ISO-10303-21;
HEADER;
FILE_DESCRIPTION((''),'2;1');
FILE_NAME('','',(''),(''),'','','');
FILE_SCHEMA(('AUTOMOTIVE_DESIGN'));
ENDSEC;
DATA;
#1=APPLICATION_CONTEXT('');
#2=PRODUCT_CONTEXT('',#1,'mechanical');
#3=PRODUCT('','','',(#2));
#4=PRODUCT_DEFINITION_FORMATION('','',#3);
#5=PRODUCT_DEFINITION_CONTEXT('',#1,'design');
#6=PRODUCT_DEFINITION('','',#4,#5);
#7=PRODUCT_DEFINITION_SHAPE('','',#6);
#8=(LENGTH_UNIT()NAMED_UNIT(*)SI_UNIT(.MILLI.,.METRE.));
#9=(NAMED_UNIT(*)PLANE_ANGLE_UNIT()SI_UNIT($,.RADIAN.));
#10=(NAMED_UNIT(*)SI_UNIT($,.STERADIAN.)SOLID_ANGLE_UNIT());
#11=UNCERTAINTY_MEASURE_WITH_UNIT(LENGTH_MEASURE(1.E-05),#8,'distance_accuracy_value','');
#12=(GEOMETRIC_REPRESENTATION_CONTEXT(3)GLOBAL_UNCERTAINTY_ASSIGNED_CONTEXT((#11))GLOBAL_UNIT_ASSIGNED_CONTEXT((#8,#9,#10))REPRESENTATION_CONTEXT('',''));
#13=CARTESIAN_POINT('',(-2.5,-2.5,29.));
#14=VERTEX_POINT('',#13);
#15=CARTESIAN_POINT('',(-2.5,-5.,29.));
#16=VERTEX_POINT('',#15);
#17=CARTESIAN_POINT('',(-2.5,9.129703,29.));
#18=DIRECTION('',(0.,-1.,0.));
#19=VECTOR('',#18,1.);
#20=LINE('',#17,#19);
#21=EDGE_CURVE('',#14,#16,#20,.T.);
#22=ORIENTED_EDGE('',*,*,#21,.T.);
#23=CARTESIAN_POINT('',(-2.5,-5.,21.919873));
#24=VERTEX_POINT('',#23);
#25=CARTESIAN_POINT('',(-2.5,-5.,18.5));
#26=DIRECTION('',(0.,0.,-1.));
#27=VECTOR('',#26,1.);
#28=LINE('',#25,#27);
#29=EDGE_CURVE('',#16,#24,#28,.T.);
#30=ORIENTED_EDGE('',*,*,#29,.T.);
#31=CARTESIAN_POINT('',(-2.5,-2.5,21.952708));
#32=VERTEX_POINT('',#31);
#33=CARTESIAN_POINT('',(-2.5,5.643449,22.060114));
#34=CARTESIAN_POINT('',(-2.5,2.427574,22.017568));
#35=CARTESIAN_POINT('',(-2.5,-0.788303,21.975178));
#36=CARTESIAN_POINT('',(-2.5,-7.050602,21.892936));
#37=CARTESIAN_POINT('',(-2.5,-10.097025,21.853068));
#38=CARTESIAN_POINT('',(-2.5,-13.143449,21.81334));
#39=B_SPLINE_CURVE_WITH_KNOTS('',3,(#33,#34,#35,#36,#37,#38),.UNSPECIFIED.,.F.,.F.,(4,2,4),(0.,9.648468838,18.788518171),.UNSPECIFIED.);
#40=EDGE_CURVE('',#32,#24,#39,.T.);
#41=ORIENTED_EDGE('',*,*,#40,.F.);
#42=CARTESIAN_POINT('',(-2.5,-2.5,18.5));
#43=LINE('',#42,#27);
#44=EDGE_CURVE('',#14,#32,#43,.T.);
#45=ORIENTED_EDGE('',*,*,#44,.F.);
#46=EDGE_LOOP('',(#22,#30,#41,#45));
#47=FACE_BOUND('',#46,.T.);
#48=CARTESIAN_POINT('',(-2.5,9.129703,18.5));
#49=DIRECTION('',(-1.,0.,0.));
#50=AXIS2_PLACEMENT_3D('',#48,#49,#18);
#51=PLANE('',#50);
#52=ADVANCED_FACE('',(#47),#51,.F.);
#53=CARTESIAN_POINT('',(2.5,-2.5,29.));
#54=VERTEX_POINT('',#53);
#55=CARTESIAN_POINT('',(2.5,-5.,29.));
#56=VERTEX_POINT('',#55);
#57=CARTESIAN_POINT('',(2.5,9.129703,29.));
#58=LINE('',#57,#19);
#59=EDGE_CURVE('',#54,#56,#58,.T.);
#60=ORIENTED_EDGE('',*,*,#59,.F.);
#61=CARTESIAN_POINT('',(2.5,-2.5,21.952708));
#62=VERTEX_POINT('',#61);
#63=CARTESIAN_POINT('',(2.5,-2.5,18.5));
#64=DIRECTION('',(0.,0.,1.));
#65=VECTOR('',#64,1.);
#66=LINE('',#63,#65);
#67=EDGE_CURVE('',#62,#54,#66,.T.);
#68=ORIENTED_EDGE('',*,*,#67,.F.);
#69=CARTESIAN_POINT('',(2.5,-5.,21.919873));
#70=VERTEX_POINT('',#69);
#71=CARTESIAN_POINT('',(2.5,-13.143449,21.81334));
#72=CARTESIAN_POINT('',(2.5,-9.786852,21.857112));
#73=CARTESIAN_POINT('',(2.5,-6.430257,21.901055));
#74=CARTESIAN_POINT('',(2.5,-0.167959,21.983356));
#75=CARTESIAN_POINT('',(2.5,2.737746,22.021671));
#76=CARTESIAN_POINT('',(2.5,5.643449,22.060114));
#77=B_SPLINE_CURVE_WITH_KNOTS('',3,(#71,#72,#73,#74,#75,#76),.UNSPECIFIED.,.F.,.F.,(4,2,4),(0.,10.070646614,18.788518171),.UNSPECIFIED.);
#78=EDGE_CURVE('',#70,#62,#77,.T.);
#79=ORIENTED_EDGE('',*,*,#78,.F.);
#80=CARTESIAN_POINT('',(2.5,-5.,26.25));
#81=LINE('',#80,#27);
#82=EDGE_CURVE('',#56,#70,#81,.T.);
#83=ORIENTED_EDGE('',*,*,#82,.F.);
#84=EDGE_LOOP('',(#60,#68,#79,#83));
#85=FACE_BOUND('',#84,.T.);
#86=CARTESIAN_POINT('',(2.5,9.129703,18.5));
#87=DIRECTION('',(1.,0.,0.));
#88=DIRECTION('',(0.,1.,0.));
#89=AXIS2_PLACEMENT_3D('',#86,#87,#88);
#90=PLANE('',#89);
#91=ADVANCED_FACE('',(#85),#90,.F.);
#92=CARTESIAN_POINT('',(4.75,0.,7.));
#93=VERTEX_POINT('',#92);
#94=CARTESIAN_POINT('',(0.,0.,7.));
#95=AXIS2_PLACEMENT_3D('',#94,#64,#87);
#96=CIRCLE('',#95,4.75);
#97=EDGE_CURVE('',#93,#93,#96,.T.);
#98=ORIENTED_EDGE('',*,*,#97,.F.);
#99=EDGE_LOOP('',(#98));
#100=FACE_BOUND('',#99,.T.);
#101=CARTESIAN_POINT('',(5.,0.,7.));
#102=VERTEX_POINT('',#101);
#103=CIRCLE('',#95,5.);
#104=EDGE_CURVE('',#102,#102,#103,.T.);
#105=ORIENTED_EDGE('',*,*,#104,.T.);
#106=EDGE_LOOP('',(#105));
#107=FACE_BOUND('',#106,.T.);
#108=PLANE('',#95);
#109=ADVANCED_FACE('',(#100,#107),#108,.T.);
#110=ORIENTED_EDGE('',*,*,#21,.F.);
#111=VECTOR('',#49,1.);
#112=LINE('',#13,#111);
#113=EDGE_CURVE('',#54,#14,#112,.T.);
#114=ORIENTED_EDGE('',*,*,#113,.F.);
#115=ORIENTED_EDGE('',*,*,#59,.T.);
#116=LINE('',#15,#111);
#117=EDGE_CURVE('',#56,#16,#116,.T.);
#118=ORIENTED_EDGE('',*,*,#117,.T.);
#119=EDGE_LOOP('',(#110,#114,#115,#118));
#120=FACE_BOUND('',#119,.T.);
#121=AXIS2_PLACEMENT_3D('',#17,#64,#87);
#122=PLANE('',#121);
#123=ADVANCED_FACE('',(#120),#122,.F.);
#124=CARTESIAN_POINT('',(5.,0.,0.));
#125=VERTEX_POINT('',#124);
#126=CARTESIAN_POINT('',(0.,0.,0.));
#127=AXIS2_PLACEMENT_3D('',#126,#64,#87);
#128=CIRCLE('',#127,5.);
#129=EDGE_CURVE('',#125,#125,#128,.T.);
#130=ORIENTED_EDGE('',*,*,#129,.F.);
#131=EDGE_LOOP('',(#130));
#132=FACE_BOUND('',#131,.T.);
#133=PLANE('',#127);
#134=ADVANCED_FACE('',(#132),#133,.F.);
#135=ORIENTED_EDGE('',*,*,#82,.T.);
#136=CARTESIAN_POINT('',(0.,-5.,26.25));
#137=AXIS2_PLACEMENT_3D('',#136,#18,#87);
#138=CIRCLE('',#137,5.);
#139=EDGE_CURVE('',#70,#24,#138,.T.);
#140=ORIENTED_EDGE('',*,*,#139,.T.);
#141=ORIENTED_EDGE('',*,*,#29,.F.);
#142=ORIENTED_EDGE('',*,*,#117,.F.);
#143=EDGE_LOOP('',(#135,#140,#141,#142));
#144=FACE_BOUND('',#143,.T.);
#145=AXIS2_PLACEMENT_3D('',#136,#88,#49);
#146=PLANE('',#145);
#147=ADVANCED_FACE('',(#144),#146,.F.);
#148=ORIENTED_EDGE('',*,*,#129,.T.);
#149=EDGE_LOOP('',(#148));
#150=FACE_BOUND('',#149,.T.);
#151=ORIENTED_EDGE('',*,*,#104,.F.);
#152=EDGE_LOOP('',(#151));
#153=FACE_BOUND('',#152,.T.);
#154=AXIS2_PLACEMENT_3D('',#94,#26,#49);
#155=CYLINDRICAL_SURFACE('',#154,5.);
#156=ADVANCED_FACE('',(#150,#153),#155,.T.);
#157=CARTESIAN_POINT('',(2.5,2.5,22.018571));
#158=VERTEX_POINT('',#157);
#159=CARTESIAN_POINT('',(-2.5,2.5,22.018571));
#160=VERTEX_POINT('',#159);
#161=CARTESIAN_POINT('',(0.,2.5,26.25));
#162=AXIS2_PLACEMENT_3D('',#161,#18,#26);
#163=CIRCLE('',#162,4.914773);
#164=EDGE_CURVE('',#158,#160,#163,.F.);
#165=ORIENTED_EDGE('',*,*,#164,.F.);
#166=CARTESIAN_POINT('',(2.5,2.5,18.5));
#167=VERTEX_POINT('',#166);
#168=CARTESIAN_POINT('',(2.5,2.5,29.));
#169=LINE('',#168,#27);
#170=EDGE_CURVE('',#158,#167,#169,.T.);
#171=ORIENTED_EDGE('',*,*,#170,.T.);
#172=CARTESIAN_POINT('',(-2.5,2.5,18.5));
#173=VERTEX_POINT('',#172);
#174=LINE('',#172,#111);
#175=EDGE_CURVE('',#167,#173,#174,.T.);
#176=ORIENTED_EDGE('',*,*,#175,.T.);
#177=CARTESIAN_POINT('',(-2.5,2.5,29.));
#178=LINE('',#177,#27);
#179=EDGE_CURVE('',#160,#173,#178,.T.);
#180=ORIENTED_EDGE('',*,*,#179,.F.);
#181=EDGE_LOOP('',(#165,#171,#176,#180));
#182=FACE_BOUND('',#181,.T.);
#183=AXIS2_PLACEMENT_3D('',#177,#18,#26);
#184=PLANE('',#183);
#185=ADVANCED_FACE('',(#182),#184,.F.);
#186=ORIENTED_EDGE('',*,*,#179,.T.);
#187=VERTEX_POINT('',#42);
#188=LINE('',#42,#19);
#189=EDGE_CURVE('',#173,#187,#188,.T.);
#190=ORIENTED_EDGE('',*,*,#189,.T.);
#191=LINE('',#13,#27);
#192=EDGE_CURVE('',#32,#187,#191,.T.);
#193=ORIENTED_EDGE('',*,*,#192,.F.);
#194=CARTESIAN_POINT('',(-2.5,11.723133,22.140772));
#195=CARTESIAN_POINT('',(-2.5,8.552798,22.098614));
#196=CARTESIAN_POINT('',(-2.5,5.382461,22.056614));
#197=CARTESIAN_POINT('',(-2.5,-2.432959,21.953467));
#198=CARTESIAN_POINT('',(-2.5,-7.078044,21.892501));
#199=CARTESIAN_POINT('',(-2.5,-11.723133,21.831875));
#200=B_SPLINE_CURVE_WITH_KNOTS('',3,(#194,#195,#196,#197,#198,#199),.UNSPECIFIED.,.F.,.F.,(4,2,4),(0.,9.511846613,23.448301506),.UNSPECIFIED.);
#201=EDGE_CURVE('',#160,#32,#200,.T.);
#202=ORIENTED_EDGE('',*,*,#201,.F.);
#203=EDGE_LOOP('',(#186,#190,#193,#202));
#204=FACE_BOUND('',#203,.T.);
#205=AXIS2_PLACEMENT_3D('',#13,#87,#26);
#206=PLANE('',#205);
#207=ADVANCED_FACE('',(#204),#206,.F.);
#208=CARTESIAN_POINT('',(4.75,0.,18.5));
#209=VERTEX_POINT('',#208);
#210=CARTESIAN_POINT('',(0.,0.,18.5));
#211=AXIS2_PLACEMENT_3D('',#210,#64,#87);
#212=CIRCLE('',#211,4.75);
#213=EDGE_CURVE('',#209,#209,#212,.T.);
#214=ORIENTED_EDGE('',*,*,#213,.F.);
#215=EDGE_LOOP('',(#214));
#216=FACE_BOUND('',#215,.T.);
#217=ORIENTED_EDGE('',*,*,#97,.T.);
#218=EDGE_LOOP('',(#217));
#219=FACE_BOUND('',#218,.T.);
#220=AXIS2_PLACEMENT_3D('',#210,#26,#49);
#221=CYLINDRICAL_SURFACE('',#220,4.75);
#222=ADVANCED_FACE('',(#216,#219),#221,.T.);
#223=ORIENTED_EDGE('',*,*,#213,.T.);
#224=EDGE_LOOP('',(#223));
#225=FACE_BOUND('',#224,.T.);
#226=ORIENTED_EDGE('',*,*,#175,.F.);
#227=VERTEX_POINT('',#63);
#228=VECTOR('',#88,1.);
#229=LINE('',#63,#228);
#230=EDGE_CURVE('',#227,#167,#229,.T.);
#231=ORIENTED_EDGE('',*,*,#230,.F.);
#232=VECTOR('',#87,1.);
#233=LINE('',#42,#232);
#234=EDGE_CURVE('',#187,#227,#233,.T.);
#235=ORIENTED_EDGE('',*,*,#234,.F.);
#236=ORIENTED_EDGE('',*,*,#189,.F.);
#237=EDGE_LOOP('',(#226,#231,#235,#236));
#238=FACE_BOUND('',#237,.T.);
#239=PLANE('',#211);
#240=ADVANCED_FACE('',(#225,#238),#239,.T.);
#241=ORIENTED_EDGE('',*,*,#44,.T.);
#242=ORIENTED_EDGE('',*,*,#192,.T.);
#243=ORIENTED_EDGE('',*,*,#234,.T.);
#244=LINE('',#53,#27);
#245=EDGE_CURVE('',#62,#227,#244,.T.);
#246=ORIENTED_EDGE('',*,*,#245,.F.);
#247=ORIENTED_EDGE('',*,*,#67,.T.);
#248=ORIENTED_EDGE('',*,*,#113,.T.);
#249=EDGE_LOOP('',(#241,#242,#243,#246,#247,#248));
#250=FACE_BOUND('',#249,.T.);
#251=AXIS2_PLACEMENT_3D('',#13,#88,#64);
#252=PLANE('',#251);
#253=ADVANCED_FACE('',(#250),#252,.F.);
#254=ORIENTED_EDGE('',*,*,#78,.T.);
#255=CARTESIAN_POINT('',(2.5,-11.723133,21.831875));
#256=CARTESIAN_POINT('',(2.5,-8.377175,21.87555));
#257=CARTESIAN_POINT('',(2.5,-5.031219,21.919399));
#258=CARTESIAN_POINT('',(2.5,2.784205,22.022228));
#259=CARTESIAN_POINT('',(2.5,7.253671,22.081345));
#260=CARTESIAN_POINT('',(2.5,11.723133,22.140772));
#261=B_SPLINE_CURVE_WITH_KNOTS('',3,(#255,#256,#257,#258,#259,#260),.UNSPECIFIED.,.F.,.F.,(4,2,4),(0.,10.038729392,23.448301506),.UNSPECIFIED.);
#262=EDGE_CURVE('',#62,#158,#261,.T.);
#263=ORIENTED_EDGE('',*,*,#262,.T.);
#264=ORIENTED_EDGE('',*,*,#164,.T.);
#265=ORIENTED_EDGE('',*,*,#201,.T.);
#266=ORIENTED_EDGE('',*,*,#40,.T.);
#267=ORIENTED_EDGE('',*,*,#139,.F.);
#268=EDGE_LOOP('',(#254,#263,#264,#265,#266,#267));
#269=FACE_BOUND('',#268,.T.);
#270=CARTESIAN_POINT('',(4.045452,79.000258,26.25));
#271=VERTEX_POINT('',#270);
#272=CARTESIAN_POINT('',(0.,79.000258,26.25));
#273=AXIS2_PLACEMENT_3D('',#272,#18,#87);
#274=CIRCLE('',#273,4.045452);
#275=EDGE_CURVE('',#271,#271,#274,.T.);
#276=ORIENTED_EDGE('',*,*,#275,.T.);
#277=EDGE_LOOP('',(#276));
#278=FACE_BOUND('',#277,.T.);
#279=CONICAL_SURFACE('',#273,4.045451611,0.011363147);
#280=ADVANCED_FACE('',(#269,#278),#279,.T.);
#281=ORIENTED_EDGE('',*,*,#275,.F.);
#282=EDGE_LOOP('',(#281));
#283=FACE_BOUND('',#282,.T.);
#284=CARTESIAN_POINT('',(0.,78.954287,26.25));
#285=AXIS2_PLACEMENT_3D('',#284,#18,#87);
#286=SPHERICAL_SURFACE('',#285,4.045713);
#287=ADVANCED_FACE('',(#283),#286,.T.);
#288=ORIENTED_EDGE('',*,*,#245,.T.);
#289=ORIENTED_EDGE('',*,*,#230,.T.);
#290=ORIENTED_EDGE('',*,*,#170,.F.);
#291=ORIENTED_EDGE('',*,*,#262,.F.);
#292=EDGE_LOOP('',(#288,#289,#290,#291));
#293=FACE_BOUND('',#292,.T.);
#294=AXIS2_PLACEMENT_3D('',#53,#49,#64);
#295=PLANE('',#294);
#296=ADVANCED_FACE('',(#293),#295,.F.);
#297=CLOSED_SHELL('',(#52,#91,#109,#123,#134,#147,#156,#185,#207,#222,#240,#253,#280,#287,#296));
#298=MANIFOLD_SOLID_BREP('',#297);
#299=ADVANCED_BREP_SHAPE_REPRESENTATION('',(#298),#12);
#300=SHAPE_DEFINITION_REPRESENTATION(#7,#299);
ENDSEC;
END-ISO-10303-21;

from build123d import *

# Parameters (mm, degrees)
SKETCH1_R           = 5
BOSS_EXTRUDE1_DEPTH = 7
SKETCH2_R           = 4.75
BOSS_EXTRUDE2_DEPTH = 11.5
SKETCH5_W           = 5
SKETCH5_H           = 5
BOSS_EXTRUDE3_DEPTH = 10.5
SKETCH6_W           = 5
SKETCH6_H           = 10.5
CUT_EXTRUDE1_DEPTH  = 2.5


with BuildPart() as part:
    # Sketch1 → Boss-Extrude1 (new body)
    with BuildSketch(Plane.XY):
        Circle(SKETCH1_R)
    extrude(amount=BOSS_EXTRUDE1_DEPTH)

    # Sketch2 → Boss-Extrude2 (add)
    with BuildSketch(Plane.XY.offset(7)):
        Circle(SKETCH2_R)
    extrude(amount=BOSS_EXTRUDE2_DEPTH)



with BuildPart() as body_2:
    # Sketch4 → Revolve2 (revolve)
    with BuildSketch(Plane.XY.offset(26.25), mode=Mode.PRIVATE) as revolve2_sk:
        with BuildLine():
            Line((0, -5), (-5, -5))
            Line((-5, -5), (-4.045451611, 79.000258239))
            ThreePointArc((-4.045451611, 79.000258239), (-2.844451304, 81.831245462), (0, 83))
            Line((0, 83), (0, -5))
        make_face()
    revolve(revolve2_sk.sketch.rotate(Axis((0, -1000, 26.25), (0, 1, 0)), 180), axis=Axis((0, -1000, 26.25), (0, 1, 0)))


with BuildPart() as part_1:
    add(part.part)

    add(body_2.part)  # Boss-Extrude3 merges body 2
    # Sketch5 → Boss-Extrude3 (add)
    with BuildSketch(Plane.XY.offset(18.5)):
        Rectangle(SKETCH5_W, SKETCH5_H)
    extrude(amount=BOSS_EXTRUDE3_DEPTH)

    # Sketch6 → Cut-Extrude1 (cut)
    with BuildSketch(Plane.XZ.offset(5)):
        with Locations((0, 23.75)):
            Rectangle(SKETCH6_W, SKETCH6_H)
    extrude(amount=-CUT_EXTRUDE1_DEPTH, mode=Mode.SUBTRACT)


solid = part_1.part
